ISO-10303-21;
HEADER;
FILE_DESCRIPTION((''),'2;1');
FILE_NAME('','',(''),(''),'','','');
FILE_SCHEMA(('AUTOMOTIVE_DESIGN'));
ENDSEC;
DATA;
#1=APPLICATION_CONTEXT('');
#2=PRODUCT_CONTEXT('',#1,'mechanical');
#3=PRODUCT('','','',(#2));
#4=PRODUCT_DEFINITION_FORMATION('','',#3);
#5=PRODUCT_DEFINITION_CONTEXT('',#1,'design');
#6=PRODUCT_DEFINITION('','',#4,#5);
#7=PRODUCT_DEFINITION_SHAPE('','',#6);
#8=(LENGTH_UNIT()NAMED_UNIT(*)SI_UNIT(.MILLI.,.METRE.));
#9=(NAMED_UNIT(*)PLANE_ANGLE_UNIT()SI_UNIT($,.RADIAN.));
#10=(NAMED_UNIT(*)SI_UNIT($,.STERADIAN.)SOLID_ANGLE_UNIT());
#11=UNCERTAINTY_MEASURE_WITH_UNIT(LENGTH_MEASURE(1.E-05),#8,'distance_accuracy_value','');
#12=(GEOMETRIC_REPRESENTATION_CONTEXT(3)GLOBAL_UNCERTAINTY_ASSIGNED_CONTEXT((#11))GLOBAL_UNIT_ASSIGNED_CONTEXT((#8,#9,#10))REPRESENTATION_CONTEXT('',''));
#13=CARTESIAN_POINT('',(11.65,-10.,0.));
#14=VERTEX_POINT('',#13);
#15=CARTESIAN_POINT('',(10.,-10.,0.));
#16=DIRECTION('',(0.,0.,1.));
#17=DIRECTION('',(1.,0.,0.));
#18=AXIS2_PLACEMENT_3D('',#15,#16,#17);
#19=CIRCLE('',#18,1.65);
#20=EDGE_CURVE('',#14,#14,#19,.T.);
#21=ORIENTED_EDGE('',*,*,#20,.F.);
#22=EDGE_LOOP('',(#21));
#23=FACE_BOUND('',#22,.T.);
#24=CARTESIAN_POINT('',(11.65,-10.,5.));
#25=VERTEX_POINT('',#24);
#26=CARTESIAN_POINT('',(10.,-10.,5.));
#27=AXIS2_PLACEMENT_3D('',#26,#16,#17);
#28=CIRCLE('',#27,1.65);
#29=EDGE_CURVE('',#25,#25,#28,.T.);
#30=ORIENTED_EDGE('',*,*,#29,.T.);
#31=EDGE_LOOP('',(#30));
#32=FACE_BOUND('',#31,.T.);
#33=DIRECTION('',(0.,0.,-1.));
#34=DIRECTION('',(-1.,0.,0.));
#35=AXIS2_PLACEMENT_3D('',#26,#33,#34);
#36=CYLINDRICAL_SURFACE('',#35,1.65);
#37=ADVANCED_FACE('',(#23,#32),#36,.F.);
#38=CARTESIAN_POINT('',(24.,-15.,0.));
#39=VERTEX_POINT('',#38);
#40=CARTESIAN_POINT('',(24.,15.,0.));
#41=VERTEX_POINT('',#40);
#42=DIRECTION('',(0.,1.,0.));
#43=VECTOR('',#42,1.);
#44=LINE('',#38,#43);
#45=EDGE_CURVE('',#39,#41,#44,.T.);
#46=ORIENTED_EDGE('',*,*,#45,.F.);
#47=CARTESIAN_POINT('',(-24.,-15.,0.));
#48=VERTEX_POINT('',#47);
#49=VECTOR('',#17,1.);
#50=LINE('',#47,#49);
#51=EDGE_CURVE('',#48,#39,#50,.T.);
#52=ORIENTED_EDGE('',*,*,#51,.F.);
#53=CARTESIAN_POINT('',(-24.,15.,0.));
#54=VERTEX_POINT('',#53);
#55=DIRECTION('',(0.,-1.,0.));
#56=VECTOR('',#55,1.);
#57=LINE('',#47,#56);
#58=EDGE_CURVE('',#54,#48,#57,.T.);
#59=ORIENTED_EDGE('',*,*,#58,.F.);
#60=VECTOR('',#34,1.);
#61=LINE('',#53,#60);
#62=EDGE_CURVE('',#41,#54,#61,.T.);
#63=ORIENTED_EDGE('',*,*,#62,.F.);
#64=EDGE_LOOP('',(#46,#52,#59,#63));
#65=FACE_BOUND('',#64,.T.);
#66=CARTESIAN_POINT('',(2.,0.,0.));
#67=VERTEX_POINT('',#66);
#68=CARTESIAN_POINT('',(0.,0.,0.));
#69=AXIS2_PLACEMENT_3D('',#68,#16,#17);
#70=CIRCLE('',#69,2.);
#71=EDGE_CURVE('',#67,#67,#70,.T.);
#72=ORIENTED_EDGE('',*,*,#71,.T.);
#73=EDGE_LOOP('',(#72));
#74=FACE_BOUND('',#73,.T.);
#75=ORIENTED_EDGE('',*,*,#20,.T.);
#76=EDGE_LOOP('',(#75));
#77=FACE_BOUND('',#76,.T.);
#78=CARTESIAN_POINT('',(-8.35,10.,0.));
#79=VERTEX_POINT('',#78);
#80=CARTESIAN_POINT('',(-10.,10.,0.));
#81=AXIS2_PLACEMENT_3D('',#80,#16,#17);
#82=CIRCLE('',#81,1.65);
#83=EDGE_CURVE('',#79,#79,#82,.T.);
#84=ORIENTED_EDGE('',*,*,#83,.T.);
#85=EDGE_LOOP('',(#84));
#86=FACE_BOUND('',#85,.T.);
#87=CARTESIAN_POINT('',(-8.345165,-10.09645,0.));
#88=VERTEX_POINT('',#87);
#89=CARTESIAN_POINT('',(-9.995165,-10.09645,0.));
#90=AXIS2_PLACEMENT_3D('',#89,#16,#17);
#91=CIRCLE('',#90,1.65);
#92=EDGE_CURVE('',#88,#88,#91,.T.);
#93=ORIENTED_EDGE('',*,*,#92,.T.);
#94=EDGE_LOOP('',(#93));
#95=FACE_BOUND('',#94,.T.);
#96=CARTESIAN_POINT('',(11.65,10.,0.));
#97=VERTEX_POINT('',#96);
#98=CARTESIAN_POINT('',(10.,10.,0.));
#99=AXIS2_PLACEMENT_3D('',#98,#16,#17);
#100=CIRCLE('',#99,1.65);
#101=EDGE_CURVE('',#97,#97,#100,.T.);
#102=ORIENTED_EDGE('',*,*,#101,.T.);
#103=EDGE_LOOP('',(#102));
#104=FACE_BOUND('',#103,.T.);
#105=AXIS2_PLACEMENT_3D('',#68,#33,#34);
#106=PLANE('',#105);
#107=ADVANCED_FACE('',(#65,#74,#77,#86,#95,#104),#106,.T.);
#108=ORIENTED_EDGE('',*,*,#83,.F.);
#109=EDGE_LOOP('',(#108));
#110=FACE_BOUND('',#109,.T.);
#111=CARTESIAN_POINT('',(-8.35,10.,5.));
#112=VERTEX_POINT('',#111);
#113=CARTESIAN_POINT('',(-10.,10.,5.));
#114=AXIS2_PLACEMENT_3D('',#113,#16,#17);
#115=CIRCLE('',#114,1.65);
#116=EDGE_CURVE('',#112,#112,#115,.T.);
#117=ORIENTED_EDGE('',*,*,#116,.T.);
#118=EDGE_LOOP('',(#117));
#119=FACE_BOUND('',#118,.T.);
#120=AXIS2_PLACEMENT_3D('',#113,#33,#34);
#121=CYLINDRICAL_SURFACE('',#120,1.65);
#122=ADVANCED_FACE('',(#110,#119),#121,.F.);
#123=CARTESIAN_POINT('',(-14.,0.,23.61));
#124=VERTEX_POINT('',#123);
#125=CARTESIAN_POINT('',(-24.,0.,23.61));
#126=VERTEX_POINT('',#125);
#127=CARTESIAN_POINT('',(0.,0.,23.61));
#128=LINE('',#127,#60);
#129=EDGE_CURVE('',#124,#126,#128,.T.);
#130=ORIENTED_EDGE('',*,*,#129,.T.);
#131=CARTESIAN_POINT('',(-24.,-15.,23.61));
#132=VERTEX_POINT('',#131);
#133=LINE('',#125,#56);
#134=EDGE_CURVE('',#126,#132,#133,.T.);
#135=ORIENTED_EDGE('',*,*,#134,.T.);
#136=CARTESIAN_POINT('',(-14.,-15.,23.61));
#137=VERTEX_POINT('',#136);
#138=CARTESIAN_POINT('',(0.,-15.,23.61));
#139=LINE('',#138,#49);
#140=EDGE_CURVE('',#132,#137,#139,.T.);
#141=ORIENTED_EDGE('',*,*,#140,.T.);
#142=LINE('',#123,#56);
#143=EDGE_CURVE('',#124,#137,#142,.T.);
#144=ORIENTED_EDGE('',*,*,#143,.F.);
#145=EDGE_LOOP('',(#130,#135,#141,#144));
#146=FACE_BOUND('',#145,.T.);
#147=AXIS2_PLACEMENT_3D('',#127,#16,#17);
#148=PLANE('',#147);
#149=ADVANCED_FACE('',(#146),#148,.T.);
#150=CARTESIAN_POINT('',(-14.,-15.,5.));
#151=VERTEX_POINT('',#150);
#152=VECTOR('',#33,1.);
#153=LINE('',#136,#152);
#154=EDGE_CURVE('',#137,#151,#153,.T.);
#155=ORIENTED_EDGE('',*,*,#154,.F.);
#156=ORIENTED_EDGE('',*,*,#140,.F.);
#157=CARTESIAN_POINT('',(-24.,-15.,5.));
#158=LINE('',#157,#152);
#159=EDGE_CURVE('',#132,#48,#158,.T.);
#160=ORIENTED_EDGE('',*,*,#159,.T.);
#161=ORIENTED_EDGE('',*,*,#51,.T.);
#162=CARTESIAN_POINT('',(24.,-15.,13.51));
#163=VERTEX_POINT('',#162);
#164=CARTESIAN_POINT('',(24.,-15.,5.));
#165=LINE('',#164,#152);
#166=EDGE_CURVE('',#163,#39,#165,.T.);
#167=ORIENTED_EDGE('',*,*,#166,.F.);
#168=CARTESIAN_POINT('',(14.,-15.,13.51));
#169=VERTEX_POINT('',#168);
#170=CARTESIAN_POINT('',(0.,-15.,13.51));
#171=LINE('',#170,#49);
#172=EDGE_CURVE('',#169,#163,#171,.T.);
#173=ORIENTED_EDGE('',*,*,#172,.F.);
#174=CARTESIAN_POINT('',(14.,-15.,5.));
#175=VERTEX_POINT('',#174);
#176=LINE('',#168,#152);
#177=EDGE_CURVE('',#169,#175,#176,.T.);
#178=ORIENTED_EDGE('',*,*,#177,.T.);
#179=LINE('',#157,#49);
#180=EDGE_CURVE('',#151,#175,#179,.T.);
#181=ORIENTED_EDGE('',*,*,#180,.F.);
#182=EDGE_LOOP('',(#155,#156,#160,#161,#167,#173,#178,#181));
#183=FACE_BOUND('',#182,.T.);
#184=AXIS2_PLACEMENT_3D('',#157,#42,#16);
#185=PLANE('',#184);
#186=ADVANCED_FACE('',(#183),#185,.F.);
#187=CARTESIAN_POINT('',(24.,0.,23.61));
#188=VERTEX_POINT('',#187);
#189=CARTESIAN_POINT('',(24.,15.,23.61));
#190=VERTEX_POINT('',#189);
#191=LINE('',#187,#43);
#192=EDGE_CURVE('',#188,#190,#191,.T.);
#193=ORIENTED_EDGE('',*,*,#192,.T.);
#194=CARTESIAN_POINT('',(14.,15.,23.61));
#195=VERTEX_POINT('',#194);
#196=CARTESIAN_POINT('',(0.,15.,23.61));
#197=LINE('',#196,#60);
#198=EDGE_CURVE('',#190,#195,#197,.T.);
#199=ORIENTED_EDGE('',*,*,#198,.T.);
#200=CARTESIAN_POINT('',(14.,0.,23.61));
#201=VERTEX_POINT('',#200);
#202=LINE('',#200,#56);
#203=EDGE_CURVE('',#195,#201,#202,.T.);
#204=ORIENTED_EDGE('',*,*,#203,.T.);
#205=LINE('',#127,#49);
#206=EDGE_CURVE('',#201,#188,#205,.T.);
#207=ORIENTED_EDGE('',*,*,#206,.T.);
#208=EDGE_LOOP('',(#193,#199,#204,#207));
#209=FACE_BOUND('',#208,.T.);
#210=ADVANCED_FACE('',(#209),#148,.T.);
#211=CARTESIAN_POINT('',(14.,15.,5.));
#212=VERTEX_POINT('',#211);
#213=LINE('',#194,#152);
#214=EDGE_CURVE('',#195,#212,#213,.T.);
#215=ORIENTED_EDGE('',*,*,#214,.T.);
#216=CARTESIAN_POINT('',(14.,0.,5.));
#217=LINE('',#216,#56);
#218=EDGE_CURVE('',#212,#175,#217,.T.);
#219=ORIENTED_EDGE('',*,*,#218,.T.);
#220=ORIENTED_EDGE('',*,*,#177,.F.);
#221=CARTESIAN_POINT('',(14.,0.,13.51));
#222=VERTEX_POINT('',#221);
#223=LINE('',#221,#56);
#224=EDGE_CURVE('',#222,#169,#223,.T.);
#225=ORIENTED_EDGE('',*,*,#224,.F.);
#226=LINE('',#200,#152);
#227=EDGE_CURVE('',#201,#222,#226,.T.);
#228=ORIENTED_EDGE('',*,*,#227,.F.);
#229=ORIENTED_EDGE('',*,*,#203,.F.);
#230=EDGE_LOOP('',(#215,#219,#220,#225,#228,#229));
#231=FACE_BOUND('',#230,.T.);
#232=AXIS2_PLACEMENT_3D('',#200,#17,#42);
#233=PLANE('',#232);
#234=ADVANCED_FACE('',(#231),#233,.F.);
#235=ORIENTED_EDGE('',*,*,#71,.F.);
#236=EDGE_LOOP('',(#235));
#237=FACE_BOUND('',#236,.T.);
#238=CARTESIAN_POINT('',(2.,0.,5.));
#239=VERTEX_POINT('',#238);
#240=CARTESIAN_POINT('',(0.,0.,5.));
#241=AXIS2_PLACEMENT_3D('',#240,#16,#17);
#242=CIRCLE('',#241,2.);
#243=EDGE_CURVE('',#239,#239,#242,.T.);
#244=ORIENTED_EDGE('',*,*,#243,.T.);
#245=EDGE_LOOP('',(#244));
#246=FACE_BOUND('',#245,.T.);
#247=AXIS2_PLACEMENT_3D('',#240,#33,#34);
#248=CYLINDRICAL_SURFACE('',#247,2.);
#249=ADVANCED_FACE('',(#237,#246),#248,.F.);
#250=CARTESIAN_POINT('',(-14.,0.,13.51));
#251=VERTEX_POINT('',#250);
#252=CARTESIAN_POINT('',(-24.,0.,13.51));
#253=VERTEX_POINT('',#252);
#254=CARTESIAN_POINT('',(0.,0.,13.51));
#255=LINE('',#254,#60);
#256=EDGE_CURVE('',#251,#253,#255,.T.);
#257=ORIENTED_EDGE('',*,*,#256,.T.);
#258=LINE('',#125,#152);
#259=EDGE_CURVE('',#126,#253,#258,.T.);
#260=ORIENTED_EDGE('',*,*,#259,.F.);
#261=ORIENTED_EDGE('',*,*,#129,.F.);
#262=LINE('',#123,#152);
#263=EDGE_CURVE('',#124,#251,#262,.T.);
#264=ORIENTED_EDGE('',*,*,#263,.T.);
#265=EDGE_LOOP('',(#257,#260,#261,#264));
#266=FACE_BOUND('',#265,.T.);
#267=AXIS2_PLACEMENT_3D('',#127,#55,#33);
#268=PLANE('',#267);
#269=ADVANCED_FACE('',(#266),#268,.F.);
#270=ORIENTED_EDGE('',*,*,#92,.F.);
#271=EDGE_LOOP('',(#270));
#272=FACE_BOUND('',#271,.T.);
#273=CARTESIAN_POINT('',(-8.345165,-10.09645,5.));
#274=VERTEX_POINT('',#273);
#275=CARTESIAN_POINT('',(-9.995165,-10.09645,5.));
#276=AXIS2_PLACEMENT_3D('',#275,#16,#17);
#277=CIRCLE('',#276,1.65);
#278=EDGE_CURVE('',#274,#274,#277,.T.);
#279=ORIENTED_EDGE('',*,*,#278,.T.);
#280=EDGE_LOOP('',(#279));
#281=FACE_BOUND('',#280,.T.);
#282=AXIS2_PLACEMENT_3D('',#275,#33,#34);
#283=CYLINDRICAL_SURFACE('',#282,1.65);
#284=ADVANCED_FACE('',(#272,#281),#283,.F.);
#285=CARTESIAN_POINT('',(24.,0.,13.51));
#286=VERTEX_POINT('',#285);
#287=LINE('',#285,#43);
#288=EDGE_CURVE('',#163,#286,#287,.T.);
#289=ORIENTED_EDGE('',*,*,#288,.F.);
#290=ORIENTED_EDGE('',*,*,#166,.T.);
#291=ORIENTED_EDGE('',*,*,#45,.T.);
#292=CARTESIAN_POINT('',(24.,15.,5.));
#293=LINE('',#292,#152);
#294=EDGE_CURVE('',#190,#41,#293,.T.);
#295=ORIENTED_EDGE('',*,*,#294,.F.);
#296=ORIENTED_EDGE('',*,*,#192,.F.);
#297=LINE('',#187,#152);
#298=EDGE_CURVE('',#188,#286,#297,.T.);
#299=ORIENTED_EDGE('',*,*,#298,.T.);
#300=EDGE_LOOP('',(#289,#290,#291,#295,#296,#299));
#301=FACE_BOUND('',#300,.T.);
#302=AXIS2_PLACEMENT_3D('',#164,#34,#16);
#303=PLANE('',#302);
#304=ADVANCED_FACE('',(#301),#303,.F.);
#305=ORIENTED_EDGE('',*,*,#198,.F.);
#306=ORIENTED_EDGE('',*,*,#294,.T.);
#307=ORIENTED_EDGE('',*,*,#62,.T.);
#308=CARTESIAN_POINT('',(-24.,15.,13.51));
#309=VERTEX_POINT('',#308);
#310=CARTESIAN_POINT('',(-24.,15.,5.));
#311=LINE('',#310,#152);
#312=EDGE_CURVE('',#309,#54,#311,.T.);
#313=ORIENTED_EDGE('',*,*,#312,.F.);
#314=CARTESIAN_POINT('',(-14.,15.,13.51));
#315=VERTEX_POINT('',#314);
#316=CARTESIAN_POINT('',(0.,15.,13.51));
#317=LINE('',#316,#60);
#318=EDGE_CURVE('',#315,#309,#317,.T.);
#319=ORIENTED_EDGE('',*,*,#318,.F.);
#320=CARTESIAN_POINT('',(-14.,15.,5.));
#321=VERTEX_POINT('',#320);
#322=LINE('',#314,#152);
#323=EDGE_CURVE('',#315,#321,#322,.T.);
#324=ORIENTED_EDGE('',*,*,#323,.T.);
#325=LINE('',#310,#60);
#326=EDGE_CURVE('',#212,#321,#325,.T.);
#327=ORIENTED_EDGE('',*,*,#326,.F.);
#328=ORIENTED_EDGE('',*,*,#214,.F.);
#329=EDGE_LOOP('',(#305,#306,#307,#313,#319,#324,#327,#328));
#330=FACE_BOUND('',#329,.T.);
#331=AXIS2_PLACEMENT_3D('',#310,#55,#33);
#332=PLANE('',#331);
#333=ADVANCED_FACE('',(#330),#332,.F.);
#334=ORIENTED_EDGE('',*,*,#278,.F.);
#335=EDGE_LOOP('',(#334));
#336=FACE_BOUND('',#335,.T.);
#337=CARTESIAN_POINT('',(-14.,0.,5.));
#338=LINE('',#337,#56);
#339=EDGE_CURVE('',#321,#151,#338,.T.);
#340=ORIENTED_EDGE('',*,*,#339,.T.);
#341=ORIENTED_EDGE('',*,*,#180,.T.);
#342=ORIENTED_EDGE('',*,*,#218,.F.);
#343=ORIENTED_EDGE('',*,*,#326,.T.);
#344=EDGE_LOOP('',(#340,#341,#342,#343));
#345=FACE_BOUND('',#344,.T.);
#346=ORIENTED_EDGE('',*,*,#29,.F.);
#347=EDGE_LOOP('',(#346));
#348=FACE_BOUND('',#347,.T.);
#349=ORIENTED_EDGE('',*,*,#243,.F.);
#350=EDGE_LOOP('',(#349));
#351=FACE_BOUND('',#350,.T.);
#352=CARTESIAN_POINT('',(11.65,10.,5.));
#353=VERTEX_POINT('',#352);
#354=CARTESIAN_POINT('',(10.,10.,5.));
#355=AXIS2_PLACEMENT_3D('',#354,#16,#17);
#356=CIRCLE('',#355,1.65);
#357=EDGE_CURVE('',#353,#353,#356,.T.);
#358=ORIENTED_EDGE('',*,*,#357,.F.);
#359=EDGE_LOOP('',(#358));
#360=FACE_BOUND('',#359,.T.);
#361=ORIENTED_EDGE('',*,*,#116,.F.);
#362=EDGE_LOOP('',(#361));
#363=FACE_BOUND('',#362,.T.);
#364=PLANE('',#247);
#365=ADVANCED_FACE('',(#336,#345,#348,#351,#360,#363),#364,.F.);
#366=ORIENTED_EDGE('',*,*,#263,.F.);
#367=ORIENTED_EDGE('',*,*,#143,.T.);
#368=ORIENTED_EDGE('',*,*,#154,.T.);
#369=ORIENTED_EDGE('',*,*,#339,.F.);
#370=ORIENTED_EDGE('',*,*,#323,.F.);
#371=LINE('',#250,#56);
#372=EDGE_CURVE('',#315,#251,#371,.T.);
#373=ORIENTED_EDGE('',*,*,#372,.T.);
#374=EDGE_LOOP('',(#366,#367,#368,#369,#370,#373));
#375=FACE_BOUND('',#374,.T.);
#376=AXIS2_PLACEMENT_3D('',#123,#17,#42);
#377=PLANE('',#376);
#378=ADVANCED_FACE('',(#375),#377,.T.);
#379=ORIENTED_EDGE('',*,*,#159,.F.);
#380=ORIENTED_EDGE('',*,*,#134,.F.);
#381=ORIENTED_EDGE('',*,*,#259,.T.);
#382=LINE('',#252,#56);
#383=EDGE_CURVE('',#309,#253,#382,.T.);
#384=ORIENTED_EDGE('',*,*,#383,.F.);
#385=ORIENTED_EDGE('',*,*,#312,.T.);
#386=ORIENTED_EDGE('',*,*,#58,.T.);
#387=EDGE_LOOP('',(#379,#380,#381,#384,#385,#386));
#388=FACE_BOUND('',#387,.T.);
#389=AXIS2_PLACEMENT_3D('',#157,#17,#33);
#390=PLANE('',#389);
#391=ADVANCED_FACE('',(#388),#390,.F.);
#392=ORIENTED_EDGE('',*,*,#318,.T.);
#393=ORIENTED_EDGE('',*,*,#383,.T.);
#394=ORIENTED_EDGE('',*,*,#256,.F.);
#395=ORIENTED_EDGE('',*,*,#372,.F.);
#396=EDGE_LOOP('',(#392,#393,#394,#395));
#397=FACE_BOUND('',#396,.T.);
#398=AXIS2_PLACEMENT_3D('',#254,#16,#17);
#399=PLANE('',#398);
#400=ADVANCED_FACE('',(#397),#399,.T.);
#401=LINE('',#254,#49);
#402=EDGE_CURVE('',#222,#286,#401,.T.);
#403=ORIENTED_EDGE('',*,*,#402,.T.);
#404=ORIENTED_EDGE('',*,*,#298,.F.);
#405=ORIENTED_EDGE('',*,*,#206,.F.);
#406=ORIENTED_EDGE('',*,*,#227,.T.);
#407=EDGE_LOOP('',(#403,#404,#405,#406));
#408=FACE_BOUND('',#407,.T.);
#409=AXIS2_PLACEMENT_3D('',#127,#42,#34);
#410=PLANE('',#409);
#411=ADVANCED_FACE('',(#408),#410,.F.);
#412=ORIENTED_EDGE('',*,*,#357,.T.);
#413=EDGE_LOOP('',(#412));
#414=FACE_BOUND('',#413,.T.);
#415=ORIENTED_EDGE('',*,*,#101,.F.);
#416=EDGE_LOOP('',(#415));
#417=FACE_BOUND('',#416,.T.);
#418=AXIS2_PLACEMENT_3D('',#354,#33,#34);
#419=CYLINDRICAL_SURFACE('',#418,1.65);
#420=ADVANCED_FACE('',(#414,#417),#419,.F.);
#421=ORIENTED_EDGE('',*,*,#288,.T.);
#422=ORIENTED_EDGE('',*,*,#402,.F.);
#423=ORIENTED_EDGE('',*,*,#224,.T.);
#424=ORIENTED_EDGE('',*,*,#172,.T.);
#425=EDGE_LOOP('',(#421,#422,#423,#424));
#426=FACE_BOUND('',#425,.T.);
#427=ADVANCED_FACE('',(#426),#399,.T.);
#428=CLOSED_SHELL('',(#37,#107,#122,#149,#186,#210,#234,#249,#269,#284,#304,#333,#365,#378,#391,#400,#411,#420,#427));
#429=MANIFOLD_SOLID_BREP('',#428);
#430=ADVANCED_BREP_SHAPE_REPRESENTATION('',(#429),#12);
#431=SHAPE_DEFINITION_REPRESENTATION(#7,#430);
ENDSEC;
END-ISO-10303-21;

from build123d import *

# Parameters (mm, degrees)
SKETCH1_W           = 48
SKETCH1_H           = 30
SKETCH1_R           = 1.65
SKETCH1_R_2         = 2
BOSS_EXTRUDE1_DEPTH = 5
SKETCH2_W           = 10
SKETCH2_H           = 15
BOSS_EXTRUDE2_DEPTH = 18.61
SKETCH2_3_W         = 10
SKETCH2_3_H         = 15
BOSS_EXTRUDE3_DEPTH = 8.51


with BuildPart() as part:
    # Sketch1 → Boss-Extrude1 (new body)
    with BuildSketch(Plane.XY):
        Rectangle(SKETCH1_W, SKETCH1_H)
        with Locations((-10, 10)):
            Circle(SKETCH1_R, mode=Mode.SUBTRACT)
        with Locations((10, 10)):
            Circle(SKETCH1_R, mode=Mode.SUBTRACT)
        with Locations((10, -10)):
            Circle(SKETCH1_R, mode=Mode.SUBTRACT)
        with Locations((-9.995165444, -10.096450463)):
            Circle(SKETCH1_R, mode=Mode.SUBTRACT)
        Circle(SKETCH1_R_2, mode=Mode.SUBTRACT)
    extrude(amount=BOSS_EXTRUDE1_DEPTH)

    # Sketch2 → Boss-Extrude2 (add)
    with BuildSketch(Plane.XY.offset(5)):
        with Locations((19, 7.5)):
            Rectangle(SKETCH2_W, SKETCH2_H)
        with Locations((-19, -7.5)):
            Rectangle(SKETCH2_W, SKETCH2_H)
    extrude(amount=BOSS_EXTRUDE2_DEPTH)

    # Sketch2<3> → Boss-Extrude3 (add)
    with BuildSketch(Plane.XY.offset(5)):
        with Locations((19, -7.5)):
            Rectangle(SKETCH2_3_W, SKETCH2_3_H)
        with Locations((-19, 7.5)):
            Rectangle(SKETCH2_3_W, SKETCH2_3_H)
    extrude(amount=BOSS_EXTRUDE3_DEPTH)


solid = part.part
